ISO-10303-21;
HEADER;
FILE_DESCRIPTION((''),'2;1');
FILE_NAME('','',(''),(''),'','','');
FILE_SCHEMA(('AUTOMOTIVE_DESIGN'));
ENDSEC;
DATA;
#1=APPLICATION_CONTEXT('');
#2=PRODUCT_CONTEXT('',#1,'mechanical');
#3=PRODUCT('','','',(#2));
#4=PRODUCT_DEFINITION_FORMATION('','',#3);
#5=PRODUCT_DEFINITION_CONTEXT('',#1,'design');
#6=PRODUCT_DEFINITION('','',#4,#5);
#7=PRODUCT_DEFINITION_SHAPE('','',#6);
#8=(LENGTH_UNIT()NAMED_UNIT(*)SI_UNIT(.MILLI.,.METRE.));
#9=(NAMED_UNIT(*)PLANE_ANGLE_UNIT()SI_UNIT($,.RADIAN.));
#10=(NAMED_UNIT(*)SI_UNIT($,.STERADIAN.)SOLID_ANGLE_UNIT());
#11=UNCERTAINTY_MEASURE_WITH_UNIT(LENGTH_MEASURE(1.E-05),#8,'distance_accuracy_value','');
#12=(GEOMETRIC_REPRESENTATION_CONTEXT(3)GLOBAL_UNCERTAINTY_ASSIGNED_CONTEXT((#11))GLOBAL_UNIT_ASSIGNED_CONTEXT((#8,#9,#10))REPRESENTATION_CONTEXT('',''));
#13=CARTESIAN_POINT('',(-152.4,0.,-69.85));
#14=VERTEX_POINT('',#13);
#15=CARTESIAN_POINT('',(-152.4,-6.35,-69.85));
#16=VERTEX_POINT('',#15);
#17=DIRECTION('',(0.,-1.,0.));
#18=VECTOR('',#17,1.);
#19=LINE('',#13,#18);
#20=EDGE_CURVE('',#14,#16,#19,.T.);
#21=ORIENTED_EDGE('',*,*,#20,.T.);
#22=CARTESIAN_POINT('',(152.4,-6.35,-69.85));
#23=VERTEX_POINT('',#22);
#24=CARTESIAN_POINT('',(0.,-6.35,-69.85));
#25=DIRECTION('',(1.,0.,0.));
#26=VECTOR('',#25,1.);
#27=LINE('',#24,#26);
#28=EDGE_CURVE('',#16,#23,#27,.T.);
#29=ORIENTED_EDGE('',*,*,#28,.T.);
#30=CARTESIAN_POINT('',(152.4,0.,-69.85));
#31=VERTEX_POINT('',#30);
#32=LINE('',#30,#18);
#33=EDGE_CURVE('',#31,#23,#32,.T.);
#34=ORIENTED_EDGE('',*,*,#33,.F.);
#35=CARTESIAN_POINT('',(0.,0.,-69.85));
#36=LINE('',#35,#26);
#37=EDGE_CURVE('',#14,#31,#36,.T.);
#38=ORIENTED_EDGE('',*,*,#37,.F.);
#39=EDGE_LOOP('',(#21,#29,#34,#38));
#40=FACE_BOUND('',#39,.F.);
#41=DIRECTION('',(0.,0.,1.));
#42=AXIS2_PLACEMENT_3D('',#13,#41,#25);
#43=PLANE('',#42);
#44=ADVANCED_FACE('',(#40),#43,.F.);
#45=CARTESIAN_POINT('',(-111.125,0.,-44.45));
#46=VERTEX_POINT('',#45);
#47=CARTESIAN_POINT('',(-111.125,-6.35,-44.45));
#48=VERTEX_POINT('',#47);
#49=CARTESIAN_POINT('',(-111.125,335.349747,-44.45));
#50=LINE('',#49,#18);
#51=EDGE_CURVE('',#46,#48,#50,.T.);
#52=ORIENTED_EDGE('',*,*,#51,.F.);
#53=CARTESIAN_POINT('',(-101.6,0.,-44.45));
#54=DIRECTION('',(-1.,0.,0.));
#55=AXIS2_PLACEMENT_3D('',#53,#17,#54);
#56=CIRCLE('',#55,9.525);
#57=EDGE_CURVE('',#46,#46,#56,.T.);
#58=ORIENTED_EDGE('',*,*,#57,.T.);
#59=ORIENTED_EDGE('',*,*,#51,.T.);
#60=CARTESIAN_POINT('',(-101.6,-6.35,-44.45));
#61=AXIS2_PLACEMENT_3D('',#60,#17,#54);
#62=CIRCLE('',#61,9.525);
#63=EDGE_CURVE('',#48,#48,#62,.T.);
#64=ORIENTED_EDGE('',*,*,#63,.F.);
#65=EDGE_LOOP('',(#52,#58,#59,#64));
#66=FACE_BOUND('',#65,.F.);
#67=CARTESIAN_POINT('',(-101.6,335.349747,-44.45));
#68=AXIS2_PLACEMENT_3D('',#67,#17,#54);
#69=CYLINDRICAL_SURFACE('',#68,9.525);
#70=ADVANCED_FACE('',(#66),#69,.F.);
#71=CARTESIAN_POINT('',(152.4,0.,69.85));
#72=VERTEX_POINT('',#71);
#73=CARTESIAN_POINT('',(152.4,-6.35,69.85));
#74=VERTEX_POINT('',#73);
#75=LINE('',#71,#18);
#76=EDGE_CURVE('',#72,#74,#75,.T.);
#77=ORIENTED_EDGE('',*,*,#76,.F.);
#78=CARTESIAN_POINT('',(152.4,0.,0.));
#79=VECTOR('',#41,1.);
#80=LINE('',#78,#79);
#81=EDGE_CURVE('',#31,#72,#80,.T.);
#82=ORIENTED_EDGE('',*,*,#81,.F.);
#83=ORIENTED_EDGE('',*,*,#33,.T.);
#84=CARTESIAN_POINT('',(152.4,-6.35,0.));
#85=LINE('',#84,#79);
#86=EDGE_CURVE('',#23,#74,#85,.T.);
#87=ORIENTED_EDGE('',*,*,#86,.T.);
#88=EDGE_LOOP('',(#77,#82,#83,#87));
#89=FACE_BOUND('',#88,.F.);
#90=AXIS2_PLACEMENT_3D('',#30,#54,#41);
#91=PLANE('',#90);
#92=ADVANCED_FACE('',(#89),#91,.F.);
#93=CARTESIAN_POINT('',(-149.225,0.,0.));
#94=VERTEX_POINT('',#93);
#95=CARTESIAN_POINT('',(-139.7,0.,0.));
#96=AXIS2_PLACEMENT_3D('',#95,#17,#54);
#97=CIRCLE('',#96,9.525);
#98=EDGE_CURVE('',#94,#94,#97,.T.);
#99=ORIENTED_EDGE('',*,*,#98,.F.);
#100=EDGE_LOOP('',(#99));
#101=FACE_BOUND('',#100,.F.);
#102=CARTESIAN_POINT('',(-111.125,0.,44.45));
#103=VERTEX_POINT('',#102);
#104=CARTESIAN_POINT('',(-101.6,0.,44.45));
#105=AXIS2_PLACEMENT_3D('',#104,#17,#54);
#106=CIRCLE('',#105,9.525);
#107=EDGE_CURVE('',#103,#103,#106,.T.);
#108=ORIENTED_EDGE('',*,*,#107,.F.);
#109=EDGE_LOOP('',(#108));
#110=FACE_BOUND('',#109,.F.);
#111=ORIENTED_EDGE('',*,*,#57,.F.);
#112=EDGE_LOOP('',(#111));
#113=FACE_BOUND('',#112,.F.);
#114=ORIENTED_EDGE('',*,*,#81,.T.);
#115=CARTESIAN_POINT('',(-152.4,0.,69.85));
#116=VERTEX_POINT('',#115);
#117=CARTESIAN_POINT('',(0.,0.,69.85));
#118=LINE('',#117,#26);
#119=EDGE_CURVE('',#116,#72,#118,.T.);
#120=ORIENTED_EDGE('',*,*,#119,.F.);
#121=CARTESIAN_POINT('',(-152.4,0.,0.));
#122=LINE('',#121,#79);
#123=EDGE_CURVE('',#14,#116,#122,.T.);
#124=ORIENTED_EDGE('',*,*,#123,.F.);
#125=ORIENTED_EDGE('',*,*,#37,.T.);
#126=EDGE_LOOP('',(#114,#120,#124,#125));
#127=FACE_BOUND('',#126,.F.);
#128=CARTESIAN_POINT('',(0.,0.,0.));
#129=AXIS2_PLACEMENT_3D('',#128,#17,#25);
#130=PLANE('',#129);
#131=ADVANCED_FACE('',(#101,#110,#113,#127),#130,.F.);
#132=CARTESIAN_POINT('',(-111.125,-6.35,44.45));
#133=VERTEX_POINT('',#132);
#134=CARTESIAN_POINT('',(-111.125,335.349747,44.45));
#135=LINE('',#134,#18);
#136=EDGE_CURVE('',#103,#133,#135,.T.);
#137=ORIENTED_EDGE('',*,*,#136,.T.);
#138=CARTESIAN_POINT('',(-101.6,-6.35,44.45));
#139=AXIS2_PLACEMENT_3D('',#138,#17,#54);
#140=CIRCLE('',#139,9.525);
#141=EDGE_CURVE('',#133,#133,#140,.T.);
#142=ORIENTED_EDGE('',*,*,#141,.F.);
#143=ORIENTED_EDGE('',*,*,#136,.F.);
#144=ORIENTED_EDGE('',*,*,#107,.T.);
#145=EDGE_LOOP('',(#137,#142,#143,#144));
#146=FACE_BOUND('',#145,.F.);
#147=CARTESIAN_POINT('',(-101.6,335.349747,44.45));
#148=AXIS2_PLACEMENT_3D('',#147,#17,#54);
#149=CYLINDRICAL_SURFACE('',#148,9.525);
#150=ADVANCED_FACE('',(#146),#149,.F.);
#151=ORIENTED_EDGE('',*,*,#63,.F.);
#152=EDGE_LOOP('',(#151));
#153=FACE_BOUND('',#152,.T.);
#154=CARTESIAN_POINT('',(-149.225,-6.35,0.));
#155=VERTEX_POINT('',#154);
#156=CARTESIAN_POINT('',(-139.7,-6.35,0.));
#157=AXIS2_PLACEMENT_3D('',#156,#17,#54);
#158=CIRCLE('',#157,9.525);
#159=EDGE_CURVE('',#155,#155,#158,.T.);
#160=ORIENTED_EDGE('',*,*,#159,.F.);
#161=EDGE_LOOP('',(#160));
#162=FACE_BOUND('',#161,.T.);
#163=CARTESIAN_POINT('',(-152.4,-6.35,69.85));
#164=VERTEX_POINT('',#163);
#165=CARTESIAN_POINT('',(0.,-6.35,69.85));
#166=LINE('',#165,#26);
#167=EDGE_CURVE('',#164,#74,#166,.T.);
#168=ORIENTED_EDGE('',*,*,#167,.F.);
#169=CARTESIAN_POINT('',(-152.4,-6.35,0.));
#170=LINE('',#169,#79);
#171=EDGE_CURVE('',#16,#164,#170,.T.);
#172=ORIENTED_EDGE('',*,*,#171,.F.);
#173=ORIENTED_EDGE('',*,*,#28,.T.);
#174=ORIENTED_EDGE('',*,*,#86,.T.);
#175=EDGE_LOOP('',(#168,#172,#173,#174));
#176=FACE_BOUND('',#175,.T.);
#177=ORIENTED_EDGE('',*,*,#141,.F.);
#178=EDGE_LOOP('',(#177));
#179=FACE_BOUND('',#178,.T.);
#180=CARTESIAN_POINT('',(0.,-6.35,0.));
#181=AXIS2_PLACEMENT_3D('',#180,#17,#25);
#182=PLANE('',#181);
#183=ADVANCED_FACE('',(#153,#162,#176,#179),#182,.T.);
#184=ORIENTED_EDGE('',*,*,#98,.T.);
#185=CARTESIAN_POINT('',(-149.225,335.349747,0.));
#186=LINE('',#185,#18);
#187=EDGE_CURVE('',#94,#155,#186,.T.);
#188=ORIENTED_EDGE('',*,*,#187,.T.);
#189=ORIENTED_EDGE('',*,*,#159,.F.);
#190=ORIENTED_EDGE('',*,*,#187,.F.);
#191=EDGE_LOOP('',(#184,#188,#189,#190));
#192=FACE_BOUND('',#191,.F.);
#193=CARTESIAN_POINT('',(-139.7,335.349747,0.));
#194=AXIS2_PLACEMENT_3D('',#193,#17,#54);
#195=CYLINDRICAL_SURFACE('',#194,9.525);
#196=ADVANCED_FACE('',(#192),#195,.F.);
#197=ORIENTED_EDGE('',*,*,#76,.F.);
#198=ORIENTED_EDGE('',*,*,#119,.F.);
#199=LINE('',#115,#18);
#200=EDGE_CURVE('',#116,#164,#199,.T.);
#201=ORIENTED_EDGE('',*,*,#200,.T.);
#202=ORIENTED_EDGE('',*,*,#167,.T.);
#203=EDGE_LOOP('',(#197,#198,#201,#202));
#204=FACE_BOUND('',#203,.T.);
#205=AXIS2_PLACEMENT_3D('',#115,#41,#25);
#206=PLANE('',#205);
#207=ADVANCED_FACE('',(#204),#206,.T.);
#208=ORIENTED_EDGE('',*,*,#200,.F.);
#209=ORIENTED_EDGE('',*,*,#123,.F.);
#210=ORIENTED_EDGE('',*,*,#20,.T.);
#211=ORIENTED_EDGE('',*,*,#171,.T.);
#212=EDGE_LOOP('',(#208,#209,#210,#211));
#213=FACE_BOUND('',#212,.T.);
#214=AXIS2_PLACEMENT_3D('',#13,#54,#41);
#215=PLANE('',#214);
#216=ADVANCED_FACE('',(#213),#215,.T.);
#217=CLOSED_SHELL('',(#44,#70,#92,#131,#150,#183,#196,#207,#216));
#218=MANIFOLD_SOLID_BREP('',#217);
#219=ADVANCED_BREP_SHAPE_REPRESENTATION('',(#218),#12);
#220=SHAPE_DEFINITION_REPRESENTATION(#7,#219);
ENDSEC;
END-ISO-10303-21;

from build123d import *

# Parameters (mm, degrees)
F0_W     = 304.8
F0_H     = 139.7
F1_DEPTH = 6.35
F3_D     = 19.05


with BuildPart() as f1:
    # F0 (on Front) → F1 (new body)
    with BuildSketch(Plane.XZ):
        Rectangle(F0_W, F0_H)
    extrude(amount=F1_DEPTH)

    # F3 (through all)
    with Locations(Plane(origin=(0, 0, 0), x_dir=(1, 0, 0), z_dir=(0, 1, 0))):
        with Locations((-101.6, 44.45), (-139.7, 0), (-101.6, -44.45)):
            Hole(F3_D / 2)


solid = f1.part
